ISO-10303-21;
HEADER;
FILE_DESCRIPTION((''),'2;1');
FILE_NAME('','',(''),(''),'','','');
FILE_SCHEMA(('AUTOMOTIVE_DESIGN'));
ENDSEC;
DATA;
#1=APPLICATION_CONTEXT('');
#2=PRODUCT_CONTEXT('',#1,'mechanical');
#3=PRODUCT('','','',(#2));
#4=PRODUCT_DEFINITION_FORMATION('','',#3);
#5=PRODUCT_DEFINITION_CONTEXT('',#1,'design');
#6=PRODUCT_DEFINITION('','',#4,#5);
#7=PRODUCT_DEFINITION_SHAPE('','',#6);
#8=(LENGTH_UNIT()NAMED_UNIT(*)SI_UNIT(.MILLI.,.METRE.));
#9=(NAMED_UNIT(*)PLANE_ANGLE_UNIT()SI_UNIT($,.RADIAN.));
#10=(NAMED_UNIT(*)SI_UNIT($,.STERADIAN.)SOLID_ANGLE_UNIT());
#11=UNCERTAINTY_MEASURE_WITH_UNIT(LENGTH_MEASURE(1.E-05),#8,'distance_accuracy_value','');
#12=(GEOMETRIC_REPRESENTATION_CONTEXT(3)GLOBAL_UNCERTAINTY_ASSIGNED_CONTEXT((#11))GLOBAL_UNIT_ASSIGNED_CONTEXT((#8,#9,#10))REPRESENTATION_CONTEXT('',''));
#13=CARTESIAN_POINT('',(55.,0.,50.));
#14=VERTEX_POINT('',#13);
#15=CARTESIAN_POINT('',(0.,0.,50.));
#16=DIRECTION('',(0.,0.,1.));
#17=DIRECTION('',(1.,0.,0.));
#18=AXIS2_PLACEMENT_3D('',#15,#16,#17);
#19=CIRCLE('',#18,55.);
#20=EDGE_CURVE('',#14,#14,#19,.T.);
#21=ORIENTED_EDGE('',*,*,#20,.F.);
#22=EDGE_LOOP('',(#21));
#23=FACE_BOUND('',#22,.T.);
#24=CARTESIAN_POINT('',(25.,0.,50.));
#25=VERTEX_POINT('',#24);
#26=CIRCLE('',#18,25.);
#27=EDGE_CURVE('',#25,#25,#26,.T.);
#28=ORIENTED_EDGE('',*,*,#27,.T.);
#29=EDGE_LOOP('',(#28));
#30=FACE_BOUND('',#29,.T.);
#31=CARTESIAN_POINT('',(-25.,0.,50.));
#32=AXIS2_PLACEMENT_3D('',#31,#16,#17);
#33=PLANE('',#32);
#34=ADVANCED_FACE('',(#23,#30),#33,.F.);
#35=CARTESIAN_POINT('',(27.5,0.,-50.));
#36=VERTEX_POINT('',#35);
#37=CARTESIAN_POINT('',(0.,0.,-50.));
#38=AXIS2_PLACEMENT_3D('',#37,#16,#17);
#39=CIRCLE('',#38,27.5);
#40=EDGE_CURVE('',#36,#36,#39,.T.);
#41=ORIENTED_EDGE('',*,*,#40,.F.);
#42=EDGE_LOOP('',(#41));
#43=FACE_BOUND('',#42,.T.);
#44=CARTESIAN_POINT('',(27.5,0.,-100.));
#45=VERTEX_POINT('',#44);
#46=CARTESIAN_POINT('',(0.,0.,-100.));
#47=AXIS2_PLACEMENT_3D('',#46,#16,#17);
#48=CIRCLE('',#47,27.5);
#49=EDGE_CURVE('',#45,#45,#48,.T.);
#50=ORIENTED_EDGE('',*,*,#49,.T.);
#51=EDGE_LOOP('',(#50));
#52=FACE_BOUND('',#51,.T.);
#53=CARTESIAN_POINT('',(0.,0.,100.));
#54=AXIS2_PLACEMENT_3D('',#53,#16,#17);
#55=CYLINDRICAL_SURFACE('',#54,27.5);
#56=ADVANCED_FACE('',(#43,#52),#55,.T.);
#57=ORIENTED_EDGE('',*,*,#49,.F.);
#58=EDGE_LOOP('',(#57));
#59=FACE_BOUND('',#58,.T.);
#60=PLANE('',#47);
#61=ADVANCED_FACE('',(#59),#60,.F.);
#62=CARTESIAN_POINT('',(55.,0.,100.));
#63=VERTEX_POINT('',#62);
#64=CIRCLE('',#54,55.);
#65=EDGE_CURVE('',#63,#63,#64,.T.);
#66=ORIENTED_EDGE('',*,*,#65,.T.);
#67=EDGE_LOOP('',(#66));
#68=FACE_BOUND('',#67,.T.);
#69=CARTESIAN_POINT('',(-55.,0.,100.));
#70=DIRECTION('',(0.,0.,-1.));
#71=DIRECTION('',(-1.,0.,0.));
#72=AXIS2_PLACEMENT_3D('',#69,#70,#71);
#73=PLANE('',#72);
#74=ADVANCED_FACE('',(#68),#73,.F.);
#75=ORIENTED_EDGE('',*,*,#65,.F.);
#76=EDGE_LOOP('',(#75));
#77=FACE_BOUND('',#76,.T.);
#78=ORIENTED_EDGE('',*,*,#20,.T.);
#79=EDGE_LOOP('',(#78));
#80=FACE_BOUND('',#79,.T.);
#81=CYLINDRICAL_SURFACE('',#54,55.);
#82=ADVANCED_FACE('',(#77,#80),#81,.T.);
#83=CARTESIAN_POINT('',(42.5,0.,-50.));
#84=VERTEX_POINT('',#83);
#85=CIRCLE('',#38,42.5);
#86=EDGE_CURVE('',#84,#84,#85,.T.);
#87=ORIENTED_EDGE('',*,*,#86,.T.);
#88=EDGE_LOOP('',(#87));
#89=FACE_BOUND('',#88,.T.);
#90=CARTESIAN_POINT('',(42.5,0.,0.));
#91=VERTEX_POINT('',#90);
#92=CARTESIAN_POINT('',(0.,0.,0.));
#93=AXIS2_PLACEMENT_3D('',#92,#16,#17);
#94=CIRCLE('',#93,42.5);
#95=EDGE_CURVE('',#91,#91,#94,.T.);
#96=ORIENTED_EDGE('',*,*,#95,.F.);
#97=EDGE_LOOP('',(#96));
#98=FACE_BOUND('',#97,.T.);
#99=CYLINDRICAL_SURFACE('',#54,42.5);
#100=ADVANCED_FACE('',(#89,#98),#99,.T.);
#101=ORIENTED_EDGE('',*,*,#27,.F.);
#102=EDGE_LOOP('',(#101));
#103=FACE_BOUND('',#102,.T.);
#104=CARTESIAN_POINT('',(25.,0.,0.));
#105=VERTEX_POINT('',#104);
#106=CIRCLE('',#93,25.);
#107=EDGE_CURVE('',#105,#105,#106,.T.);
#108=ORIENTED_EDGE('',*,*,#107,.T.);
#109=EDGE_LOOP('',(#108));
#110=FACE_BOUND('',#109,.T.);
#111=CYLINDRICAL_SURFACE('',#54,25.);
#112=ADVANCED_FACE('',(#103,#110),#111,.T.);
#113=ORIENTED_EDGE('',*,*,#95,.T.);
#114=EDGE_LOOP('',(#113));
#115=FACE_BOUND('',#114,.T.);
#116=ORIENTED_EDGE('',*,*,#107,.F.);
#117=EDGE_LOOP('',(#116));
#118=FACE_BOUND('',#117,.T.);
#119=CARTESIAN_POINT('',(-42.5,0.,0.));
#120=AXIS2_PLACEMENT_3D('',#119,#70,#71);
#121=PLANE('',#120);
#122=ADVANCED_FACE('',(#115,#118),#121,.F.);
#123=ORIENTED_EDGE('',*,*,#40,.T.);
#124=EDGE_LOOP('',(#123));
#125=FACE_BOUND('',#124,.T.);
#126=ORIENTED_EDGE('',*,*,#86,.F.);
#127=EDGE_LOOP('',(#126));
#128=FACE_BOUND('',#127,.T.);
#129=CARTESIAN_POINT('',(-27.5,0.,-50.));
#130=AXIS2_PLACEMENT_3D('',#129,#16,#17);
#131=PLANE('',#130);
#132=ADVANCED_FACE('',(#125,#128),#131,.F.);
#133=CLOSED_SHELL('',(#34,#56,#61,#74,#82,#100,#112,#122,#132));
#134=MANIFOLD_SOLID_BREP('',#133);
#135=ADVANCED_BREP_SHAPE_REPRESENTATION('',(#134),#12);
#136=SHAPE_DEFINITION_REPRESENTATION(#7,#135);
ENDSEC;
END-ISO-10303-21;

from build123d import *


with BuildPart() as part:
    # Esquisse1 → R_volution1 (revolve)
    with BuildSketch(Plane(origin=(0, 0, 0), x_dir=(1, 0, 0), z_dir=(0, 1, 0)), mode=Mode.PRIVATE) as r_volution1_sk:
        Polygon((0, 100), (-27.5, 100), (-27.5, 50), (-42.5, 50), (-42.5, 0), (-25, 0), (-25, -50), (-55, -50), (-55, -100), (0, -100), align=None)
    revolve(r_volution1_sk.sketch.rotate(Axis((0, 0, 100), (0, 0, -1)), 180), axis=Axis((0, 0, 100), (0, 0, -1)))  # turned: the seam where the file's is


solid = part.part
